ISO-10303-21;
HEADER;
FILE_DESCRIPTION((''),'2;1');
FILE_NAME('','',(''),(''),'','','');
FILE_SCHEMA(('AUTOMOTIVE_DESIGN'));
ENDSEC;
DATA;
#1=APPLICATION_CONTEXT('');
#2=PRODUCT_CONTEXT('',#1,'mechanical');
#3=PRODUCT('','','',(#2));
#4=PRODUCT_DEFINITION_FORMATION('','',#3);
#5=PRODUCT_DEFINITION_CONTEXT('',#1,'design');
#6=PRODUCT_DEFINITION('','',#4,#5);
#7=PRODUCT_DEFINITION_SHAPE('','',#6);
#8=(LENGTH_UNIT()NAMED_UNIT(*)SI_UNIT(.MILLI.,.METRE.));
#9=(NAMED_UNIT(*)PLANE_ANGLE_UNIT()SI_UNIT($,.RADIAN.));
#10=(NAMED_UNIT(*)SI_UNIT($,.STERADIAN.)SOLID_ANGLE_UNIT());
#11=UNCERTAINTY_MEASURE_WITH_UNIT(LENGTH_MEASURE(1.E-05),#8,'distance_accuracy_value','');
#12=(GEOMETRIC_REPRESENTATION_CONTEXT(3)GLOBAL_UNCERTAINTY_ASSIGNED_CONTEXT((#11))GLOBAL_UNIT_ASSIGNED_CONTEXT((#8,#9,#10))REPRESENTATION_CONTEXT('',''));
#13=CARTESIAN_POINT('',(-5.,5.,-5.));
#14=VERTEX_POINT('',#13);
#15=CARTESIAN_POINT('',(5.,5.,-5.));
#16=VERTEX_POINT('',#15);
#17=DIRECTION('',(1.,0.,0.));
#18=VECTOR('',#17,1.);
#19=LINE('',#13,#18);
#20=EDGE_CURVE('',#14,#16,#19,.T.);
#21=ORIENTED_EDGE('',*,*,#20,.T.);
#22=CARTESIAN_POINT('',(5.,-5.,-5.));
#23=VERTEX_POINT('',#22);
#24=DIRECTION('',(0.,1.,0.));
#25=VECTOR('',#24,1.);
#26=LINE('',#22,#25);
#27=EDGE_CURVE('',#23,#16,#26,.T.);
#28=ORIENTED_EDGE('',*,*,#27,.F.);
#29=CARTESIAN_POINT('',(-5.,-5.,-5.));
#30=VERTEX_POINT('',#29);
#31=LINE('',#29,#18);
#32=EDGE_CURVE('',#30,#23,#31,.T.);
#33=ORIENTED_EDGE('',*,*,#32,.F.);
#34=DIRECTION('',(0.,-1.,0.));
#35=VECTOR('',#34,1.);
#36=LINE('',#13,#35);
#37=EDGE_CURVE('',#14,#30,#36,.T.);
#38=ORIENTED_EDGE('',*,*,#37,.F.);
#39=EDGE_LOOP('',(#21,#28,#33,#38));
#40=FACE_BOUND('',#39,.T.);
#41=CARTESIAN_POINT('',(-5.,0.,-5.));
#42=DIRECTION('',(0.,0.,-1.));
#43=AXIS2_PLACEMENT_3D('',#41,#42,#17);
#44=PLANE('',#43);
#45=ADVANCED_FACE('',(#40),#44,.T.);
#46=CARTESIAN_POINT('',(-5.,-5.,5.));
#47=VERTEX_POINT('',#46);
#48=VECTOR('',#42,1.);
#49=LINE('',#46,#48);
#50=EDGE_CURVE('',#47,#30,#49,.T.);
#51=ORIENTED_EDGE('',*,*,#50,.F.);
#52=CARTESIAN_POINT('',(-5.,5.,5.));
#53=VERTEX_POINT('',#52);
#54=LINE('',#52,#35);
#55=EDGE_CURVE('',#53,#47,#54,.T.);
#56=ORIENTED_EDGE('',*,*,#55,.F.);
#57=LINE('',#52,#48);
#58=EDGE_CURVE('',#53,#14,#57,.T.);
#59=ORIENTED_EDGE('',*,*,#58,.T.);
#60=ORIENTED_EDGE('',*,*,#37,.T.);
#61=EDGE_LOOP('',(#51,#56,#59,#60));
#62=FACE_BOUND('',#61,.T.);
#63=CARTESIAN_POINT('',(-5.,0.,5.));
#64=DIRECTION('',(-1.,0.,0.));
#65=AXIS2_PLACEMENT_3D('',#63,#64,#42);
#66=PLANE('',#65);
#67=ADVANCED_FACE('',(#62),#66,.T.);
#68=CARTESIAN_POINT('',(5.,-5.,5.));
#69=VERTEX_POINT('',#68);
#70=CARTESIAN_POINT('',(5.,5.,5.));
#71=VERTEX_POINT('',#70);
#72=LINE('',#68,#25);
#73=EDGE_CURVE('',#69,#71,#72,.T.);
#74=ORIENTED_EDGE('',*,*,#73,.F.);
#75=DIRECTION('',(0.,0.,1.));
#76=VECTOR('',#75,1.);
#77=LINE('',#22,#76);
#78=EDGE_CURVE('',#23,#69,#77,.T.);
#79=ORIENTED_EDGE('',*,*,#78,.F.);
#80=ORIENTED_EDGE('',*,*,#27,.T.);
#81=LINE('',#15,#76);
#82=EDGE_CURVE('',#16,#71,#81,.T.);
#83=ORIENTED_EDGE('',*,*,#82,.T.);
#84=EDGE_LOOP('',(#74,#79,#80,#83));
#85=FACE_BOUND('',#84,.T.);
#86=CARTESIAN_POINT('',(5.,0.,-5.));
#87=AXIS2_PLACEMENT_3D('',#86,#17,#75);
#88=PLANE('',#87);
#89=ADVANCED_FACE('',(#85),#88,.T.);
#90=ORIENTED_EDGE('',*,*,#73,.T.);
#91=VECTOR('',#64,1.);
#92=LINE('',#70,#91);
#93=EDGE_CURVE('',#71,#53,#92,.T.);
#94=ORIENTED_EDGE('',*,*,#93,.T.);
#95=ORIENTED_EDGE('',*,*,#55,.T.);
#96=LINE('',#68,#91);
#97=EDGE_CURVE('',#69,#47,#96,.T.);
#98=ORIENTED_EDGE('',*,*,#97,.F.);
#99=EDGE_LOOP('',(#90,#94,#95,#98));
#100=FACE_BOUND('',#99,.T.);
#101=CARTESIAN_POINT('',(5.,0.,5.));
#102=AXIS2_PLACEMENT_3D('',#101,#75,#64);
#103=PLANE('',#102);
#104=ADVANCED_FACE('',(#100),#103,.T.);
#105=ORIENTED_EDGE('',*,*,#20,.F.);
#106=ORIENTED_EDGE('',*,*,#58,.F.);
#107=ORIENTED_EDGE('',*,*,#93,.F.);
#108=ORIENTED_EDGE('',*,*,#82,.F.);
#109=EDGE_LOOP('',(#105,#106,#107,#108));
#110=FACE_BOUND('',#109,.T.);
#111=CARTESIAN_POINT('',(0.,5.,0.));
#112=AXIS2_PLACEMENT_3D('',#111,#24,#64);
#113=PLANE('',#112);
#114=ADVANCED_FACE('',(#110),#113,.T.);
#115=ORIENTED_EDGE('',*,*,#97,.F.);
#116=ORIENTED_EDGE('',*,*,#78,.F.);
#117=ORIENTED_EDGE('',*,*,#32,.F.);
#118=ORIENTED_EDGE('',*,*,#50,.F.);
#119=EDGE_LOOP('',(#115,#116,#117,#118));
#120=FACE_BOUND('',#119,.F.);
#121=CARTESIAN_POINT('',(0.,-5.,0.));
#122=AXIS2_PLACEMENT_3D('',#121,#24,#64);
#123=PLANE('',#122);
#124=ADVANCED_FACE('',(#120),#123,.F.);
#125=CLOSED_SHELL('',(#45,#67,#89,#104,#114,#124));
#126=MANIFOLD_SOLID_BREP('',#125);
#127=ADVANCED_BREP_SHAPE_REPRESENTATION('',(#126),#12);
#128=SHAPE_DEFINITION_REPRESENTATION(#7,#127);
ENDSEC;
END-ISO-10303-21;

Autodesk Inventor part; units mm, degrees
ref_plane "YZ Plane" through (0, 0, 0) normal (1, 0, 0) x (0, 1, 0)
ref_plane "XZ Plane" through (0, 0, 0) normal (0, 1, 0) x (-1, 0, 0)
ref_plane "XY Plane" through (0, 0, 0) normal (0, 0, 1) x (1, 0, 0)
sketch "Sketch1" plane through (0, 0, 0) normal (0, 1, 0) x (-1, 0, 0)
  line L0 (-5, 5) -> (5, 5)
  line L1 (5, 5) -> (5, -5)
  line L2 (5, -5) -> (-5, -5)
  line L3 (-5, -5) -> (-5, 5)
  line L4 (-5, 5) -> (5, -5) construction
  line L5 (5, 5) -> (-5, -5) construction
  point P0 (0, 0)
  dimension "d0" = 10
  dimension "d1" = 10
extrude "Extrusion1" add sketch "Sketch1" along normal mid plane 10
properties part number "cube"
